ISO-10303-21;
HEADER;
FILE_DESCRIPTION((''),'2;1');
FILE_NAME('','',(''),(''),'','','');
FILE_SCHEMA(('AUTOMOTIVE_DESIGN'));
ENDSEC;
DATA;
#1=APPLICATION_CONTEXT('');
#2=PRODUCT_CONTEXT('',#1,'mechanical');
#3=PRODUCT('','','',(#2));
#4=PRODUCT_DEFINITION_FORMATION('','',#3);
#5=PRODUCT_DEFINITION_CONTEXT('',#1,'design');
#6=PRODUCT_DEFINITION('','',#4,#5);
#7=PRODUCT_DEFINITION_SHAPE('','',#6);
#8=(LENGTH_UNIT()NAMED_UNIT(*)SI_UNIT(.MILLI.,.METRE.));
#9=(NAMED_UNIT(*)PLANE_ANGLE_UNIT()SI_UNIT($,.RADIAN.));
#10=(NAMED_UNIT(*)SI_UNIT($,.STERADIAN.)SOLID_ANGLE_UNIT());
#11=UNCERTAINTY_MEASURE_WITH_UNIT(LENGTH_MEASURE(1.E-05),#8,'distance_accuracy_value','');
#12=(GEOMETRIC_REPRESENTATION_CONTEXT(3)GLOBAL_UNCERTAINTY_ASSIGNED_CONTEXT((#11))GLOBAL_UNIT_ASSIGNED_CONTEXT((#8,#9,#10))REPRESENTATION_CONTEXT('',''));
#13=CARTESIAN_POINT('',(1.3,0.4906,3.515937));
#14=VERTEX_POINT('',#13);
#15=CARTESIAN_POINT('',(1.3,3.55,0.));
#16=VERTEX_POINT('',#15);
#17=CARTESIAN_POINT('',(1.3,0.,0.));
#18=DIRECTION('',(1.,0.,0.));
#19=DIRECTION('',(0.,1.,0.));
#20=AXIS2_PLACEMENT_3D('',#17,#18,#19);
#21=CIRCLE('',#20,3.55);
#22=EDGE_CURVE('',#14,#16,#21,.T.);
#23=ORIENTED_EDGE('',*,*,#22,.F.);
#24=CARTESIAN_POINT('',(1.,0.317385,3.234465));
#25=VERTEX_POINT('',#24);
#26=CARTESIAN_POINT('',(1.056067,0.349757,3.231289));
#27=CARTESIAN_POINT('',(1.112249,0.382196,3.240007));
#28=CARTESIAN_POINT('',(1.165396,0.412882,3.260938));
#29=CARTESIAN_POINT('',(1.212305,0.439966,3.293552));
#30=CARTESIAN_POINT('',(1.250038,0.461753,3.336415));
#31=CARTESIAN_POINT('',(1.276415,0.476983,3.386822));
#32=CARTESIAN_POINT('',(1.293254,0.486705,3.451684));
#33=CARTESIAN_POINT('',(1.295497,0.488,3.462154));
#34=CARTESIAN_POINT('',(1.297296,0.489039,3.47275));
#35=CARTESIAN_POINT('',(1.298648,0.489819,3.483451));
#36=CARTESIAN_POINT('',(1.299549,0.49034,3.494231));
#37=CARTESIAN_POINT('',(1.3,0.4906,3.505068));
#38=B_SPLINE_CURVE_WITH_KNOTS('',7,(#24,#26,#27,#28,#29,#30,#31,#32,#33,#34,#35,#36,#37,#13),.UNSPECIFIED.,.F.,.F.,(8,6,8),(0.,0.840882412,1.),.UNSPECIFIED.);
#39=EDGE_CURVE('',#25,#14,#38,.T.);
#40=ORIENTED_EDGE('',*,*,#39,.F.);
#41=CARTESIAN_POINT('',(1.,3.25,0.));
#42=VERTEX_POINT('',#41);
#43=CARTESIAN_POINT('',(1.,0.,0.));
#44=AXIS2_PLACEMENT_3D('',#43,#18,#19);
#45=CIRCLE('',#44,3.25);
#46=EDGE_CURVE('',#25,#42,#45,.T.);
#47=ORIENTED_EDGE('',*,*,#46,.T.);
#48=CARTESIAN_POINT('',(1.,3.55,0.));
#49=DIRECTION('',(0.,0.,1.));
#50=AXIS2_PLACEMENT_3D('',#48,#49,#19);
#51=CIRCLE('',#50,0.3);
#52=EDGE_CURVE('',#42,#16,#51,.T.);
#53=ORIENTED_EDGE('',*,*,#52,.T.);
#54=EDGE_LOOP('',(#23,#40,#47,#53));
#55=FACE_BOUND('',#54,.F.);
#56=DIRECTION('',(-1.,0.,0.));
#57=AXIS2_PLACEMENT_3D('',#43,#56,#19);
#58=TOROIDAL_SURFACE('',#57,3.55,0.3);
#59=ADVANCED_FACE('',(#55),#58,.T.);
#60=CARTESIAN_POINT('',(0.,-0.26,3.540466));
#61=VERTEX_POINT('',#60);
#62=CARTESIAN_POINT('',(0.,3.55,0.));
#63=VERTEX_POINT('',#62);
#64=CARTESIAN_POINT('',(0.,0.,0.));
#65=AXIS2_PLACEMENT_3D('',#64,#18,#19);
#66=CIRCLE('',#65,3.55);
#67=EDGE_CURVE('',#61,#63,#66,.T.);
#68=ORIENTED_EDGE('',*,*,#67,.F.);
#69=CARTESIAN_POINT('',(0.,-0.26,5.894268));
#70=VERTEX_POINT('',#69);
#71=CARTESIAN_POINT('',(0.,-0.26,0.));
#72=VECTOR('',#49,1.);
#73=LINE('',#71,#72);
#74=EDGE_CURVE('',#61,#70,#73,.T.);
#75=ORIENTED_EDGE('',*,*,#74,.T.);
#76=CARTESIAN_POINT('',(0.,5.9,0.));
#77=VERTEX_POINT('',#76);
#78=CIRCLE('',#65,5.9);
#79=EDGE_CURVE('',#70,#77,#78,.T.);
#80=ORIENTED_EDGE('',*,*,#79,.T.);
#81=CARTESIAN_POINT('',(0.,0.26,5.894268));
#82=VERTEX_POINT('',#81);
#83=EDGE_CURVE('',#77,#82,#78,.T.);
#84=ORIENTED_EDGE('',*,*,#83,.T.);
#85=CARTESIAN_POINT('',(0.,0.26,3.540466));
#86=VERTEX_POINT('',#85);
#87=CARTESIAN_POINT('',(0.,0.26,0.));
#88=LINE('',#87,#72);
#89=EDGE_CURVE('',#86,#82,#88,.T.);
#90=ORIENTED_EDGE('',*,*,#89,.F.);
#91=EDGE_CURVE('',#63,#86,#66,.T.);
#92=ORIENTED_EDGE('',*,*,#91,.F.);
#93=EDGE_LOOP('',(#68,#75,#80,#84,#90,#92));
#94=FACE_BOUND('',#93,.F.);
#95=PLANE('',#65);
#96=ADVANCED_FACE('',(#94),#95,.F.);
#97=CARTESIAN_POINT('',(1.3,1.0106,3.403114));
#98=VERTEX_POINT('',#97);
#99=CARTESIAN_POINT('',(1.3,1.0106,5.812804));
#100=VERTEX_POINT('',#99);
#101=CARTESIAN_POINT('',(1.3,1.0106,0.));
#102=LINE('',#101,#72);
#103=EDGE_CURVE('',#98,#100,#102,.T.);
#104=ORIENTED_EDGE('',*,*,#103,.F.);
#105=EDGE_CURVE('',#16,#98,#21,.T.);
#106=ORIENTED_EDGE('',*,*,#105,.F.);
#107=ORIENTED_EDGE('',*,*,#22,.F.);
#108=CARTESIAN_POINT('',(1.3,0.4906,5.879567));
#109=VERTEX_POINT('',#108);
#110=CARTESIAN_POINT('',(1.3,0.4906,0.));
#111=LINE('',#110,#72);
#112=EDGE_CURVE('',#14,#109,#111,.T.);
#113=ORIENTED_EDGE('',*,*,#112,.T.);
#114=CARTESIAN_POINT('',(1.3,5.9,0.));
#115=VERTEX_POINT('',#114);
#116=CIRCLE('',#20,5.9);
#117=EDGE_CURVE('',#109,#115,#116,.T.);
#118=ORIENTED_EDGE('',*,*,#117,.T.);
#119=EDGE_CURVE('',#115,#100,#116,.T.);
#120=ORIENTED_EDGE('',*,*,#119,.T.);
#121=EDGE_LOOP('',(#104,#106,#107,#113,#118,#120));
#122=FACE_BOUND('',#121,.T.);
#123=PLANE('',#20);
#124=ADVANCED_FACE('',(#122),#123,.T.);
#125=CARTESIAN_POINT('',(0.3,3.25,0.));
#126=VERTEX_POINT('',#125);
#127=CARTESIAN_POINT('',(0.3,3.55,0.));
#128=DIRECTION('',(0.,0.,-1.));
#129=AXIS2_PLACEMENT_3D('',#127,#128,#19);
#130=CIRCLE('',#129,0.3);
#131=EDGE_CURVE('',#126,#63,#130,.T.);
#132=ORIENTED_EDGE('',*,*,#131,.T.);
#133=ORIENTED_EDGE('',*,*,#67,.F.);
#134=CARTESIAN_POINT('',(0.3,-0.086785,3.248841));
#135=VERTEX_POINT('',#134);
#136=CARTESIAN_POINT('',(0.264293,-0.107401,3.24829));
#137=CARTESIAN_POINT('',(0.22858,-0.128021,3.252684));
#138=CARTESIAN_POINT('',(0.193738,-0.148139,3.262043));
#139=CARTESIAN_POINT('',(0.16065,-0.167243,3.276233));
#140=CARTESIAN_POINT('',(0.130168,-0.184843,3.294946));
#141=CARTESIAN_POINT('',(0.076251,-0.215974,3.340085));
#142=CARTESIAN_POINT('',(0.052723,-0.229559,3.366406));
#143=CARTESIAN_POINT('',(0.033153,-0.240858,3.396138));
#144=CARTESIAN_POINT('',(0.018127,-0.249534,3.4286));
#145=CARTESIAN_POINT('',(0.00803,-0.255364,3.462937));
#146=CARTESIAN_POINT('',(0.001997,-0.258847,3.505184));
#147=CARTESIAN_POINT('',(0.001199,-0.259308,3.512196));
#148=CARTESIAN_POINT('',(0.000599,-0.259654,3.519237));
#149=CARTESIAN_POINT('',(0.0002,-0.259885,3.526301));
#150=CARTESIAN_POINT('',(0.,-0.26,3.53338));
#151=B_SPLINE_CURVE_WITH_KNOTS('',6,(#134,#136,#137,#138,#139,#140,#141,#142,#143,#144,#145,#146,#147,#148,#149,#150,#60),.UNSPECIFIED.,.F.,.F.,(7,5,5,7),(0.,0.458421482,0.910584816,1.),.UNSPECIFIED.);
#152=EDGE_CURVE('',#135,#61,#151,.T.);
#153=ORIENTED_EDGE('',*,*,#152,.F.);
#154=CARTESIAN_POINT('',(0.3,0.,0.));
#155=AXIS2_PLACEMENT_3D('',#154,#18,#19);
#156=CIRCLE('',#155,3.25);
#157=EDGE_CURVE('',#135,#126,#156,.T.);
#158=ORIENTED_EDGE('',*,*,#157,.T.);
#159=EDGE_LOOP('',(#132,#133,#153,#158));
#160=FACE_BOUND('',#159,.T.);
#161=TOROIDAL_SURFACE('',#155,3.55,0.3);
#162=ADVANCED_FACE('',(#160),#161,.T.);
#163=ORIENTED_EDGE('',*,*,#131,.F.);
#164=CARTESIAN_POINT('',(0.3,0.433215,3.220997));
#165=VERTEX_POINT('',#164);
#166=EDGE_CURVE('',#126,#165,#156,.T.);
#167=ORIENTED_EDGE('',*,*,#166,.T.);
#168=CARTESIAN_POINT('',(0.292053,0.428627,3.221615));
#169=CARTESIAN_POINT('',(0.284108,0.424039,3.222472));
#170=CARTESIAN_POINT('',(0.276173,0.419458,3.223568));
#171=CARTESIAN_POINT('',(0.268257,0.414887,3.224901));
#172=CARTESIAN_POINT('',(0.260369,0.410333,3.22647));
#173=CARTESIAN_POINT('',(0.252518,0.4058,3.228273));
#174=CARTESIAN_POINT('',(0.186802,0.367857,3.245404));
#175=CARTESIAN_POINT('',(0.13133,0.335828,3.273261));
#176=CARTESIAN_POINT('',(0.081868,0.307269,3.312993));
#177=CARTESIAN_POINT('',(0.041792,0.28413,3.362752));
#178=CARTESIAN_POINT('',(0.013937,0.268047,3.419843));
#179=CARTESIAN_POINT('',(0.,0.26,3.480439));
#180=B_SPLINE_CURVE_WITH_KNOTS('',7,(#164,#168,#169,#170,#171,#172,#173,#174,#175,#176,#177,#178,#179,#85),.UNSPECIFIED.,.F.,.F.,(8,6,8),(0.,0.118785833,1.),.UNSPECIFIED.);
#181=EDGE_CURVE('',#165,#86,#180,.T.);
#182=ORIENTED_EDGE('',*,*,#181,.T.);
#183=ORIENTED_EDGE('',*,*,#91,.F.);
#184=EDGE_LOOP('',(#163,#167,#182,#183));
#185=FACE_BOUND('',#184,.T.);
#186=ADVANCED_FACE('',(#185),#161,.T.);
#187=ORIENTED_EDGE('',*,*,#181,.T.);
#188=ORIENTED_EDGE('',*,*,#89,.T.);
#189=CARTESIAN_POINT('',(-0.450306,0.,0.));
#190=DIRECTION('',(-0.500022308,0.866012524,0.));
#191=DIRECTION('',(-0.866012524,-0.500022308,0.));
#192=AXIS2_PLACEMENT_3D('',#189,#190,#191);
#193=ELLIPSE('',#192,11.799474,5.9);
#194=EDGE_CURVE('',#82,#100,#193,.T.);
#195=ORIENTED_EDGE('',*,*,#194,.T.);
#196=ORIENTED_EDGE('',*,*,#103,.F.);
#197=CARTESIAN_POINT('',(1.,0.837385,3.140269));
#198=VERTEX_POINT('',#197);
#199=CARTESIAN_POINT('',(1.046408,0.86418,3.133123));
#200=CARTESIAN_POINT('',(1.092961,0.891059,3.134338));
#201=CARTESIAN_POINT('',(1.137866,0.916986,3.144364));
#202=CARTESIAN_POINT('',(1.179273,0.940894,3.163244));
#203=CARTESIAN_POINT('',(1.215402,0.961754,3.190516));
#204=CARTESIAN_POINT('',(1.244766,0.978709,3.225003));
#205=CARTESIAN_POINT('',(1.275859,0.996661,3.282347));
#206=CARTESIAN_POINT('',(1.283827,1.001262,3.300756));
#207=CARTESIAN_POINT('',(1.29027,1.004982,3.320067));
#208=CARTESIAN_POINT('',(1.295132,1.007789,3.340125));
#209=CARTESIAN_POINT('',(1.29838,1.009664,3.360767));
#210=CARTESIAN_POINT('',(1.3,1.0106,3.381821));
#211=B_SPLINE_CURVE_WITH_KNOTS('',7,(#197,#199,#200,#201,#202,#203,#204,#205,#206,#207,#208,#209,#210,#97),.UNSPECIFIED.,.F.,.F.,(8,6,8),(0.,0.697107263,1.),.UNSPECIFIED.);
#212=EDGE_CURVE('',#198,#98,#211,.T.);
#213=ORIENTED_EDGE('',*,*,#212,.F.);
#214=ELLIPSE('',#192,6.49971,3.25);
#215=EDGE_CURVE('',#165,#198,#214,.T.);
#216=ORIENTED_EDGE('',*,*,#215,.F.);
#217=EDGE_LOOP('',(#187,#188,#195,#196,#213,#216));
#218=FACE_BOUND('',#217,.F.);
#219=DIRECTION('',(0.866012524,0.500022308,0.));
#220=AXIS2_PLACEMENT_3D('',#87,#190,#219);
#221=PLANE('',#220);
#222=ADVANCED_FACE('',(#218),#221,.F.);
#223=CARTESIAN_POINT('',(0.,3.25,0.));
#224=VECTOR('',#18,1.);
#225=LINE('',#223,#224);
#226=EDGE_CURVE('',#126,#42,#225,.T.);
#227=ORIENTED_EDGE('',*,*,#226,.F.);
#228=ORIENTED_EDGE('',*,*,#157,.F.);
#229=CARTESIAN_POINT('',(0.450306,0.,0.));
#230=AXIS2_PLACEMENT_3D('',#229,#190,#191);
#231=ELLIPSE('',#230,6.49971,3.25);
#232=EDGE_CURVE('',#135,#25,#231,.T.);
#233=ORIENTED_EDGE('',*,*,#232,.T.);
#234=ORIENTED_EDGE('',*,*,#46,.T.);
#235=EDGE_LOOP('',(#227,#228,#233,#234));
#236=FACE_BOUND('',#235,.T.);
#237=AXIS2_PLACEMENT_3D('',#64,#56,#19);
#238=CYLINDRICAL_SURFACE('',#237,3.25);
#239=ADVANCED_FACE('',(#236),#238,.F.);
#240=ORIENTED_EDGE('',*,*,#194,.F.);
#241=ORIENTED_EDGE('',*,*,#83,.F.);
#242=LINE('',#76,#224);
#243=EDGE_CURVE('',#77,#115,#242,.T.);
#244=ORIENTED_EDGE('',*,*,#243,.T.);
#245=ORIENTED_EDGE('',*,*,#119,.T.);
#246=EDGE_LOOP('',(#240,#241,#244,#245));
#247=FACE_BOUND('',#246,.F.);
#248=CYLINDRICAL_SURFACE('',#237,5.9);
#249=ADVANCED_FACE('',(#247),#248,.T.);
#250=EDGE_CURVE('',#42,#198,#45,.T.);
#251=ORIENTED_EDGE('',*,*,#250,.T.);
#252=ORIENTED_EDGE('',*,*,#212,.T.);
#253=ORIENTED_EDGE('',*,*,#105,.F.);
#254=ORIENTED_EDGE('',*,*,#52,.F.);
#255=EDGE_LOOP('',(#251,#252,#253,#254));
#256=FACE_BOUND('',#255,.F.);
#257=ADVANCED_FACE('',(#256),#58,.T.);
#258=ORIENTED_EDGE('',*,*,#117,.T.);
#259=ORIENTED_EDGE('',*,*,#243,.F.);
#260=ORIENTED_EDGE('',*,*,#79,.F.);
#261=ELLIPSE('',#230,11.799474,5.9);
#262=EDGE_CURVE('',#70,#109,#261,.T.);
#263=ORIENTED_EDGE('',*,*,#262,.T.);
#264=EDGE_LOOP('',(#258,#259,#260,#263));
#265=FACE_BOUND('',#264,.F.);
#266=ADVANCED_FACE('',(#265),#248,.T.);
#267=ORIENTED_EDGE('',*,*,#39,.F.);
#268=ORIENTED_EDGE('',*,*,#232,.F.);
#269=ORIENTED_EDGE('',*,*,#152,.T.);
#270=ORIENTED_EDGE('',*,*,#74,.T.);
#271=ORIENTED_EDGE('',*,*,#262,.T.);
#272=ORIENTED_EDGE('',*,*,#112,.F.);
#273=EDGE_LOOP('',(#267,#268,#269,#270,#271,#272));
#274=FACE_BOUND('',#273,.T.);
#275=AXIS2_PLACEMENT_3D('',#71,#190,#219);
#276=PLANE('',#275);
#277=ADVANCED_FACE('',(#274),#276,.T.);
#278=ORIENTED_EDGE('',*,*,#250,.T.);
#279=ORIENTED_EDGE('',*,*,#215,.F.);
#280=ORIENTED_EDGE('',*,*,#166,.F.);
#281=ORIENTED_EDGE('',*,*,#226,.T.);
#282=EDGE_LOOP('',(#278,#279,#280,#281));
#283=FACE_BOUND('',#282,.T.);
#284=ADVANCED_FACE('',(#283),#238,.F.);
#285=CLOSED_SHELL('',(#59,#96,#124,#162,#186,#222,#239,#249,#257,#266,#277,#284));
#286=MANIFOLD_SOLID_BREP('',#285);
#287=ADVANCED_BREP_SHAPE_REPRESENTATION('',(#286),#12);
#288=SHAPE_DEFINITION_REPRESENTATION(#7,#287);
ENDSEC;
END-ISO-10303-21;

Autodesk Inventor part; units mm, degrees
ref_plane "YZ Plane" through (0, 0, 0) normal (1, 0, 0) x (0, 1, 0)
ref_plane "XZ Plane" through (0, 0, 0) normal (0, 1, 0) x (-1, 0, 0)
sketch "Sketch1" plane through (0, 0, 0) normal (1, 0, 0) x (0, 1, 0)
  circle A0 centre (0, 0) radius 5.9
  circle A1 centre (0, 0) radius 3.25
  dimension "d0" = 6.5
  dimension "d1" = 11.8
extrude "Body" add sketch "Sketch1" along normal blind 1.3
fillet "Fillet" radius 0.3 2 edges at (1.3, -3.25, 0) (0, -3.25, 0)
sketch "Sketch2" plane through (0, 0, 0) normal (0, 0, 1) x (1, 0, 0)
  line L0 (0, -3.25) -> (0, 3.25) projected
  line L1 (1.3, 5.9) -> (1.3, -5.9) projected
  line L2 (-1.2, 0) -> (7.2, 0) projected
  line L3 (0, -0.26) -> (1.3, 0.4906)
  line L4 (0, 0.26) -> (1.3, 1.0106)
  dimension "d4" = 0.26
  dimension "d5" = 0.26
  dimension "d6" = 60
extrude "Cut" cut sketch "Sketch2" along normal up to next contours L0 L2 L3 | L0 L4 L1 L3 L2
ref_plane "Work Plane1" through (0, 0, 0) normal (0, -1, 0) x (1, 0, 0)
equation "\"d0\" = SD1"
equation "\"d1\" = SD2"
equation "\"d2\" = SD"
equation "\"d4\" = 0.2 * SD"
equation "\"d5\" = 0.2 * SD"
equation "\"d6\" = FAWI"
equation "\"d7\" = SD"
equation "\"d13\" = R"
equation "\"SD1\" = 6.5"
equation "\"SD2\" = 11.8"
equation "\"SD\" = 1.3"
equation "\"FAWI\" = 60deg"
equation "\"R\" = 0.3"
equation "\"NND\" = 6"
properties part number "DIN 128 - A6" material "Steel, Mild"
